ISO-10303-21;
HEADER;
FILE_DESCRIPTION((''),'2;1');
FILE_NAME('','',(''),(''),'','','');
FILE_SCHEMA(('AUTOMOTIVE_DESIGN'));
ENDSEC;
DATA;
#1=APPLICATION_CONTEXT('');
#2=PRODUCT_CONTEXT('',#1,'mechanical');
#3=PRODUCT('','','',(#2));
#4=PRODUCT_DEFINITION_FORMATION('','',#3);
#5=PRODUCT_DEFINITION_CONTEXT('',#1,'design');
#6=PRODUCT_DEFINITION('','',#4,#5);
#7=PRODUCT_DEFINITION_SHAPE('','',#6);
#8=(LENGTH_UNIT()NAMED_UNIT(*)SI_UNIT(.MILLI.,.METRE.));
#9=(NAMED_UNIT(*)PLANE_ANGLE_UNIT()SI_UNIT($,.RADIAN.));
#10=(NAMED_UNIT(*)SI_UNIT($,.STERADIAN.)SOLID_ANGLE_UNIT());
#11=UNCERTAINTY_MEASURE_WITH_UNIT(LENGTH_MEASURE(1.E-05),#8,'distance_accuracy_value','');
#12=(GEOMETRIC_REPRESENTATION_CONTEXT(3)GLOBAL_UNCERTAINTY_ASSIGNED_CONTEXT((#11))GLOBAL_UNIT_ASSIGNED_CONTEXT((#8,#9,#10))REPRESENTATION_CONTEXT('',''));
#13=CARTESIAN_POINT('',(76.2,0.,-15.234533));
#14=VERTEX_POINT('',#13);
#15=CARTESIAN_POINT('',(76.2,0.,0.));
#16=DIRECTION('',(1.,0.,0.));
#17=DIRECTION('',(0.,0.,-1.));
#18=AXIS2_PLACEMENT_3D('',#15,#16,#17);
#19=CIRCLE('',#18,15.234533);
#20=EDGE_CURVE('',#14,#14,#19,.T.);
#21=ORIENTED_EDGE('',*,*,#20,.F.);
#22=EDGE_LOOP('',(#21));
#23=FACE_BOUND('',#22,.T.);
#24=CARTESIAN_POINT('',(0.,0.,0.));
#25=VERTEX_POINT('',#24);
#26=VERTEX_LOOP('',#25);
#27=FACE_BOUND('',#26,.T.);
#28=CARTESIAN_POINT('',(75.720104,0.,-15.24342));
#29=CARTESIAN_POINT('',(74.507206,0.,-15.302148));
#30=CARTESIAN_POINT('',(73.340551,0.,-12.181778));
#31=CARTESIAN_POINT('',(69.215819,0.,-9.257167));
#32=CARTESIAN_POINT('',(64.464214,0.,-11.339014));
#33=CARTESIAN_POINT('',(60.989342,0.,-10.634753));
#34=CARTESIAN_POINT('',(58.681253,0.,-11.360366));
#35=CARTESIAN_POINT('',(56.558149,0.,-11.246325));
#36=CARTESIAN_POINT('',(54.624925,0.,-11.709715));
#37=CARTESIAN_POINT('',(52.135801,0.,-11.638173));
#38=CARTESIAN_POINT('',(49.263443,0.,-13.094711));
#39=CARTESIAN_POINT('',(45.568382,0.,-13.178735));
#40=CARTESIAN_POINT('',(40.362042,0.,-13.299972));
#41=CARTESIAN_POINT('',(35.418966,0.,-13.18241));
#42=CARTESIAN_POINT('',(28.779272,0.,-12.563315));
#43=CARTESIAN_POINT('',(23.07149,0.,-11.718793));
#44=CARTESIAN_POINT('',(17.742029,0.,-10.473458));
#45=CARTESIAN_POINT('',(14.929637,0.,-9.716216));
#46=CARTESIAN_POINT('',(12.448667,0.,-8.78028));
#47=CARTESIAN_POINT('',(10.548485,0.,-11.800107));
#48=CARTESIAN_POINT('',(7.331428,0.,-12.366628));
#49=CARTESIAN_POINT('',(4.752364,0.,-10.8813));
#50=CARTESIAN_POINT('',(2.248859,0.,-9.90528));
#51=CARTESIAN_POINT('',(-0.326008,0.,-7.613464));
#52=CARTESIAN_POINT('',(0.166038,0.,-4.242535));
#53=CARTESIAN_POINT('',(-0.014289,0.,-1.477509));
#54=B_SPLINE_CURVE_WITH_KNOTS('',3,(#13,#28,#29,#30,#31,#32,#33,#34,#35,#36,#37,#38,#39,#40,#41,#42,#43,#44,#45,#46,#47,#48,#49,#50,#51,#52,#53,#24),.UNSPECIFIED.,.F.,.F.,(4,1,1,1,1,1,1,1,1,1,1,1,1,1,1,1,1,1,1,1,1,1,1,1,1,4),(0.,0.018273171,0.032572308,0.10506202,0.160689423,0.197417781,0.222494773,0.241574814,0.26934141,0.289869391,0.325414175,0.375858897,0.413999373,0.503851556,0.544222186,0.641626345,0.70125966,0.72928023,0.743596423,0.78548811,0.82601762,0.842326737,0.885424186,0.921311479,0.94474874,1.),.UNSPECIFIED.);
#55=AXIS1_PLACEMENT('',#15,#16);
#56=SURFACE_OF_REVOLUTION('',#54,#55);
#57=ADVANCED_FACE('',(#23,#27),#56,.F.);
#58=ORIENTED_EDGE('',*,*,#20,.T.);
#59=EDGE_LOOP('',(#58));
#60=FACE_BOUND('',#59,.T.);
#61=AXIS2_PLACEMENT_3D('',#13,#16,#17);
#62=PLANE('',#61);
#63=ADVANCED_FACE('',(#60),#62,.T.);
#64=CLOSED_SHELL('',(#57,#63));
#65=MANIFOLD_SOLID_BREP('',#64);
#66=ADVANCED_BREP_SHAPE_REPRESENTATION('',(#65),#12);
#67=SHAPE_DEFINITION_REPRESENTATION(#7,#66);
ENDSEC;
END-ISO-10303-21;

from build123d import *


with BuildPart() as part:
    # Sketch2 → Revolve2 (revolve)
    with BuildSketch(Plane(origin=(0, 0, 0), x_dir=(1, 0, 0), z_dir=(0, 1, 0))):
        with BuildLine():
            Line((76.2, 15.234532857), (76.2, 0))
            Line((76.2, 0), (0, 0))
            add(Edge.make_bspline(
                [(0, 0), (-0.014289391, 1.477508746), (0.166038156, 4.242535131), (-0.326008407, 7.613464171), (2.248859267, 9.905280421), (4.75236384, 10.881299996), (7.331427815, 12.366628487), (10.548485335, 11.800107252), (12.448666715, 8.78028007), (14.92963696, 9.716215681), (17.742028608, 10.473458193), (23.071490121, 11.718792526), (28.779272147, 12.563314793), (35.418965974, 13.182409845), (40.362042102, 13.299972389), (45.56838215, 13.178735478), (49.263443361, 13.094711309), (52.135800836, 11.638172959), (54.624924773, 11.709715004), (56.55814898, 11.246325334), (58.68125309, 11.360366094), (60.989342375, 10.634752517), (64.46421358, 11.339014335), (69.215818638, 9.25716668), (73.340551141, 12.181777706), (74.507206244, 15.30214845), (75.720104048, 15.243419629), (76.2, 15.234532857)],
                knots=[0, 0, 0, 0, 0.05525126, 0.078688521, 0.114575814, 0.157673263, 0.17398238, 0.21451189, 0.256403577, 0.27071977, 0.29874034, 0.358373655, 0.455777814, 0.496148444, 0.586000627, 0.624141103, 0.674585825, 0.710130609, 0.73065859, 0.758425186, 0.777505227, 0.802582219, 0.839310577, 0.89493798, 0.967427692, 0.981726829, 1, 1, 1, 1], degree=3))
        make_face()
    revolve(axis=Axis((76.2, 0, 0), (-1, 0, 0)))


solid = part.part
